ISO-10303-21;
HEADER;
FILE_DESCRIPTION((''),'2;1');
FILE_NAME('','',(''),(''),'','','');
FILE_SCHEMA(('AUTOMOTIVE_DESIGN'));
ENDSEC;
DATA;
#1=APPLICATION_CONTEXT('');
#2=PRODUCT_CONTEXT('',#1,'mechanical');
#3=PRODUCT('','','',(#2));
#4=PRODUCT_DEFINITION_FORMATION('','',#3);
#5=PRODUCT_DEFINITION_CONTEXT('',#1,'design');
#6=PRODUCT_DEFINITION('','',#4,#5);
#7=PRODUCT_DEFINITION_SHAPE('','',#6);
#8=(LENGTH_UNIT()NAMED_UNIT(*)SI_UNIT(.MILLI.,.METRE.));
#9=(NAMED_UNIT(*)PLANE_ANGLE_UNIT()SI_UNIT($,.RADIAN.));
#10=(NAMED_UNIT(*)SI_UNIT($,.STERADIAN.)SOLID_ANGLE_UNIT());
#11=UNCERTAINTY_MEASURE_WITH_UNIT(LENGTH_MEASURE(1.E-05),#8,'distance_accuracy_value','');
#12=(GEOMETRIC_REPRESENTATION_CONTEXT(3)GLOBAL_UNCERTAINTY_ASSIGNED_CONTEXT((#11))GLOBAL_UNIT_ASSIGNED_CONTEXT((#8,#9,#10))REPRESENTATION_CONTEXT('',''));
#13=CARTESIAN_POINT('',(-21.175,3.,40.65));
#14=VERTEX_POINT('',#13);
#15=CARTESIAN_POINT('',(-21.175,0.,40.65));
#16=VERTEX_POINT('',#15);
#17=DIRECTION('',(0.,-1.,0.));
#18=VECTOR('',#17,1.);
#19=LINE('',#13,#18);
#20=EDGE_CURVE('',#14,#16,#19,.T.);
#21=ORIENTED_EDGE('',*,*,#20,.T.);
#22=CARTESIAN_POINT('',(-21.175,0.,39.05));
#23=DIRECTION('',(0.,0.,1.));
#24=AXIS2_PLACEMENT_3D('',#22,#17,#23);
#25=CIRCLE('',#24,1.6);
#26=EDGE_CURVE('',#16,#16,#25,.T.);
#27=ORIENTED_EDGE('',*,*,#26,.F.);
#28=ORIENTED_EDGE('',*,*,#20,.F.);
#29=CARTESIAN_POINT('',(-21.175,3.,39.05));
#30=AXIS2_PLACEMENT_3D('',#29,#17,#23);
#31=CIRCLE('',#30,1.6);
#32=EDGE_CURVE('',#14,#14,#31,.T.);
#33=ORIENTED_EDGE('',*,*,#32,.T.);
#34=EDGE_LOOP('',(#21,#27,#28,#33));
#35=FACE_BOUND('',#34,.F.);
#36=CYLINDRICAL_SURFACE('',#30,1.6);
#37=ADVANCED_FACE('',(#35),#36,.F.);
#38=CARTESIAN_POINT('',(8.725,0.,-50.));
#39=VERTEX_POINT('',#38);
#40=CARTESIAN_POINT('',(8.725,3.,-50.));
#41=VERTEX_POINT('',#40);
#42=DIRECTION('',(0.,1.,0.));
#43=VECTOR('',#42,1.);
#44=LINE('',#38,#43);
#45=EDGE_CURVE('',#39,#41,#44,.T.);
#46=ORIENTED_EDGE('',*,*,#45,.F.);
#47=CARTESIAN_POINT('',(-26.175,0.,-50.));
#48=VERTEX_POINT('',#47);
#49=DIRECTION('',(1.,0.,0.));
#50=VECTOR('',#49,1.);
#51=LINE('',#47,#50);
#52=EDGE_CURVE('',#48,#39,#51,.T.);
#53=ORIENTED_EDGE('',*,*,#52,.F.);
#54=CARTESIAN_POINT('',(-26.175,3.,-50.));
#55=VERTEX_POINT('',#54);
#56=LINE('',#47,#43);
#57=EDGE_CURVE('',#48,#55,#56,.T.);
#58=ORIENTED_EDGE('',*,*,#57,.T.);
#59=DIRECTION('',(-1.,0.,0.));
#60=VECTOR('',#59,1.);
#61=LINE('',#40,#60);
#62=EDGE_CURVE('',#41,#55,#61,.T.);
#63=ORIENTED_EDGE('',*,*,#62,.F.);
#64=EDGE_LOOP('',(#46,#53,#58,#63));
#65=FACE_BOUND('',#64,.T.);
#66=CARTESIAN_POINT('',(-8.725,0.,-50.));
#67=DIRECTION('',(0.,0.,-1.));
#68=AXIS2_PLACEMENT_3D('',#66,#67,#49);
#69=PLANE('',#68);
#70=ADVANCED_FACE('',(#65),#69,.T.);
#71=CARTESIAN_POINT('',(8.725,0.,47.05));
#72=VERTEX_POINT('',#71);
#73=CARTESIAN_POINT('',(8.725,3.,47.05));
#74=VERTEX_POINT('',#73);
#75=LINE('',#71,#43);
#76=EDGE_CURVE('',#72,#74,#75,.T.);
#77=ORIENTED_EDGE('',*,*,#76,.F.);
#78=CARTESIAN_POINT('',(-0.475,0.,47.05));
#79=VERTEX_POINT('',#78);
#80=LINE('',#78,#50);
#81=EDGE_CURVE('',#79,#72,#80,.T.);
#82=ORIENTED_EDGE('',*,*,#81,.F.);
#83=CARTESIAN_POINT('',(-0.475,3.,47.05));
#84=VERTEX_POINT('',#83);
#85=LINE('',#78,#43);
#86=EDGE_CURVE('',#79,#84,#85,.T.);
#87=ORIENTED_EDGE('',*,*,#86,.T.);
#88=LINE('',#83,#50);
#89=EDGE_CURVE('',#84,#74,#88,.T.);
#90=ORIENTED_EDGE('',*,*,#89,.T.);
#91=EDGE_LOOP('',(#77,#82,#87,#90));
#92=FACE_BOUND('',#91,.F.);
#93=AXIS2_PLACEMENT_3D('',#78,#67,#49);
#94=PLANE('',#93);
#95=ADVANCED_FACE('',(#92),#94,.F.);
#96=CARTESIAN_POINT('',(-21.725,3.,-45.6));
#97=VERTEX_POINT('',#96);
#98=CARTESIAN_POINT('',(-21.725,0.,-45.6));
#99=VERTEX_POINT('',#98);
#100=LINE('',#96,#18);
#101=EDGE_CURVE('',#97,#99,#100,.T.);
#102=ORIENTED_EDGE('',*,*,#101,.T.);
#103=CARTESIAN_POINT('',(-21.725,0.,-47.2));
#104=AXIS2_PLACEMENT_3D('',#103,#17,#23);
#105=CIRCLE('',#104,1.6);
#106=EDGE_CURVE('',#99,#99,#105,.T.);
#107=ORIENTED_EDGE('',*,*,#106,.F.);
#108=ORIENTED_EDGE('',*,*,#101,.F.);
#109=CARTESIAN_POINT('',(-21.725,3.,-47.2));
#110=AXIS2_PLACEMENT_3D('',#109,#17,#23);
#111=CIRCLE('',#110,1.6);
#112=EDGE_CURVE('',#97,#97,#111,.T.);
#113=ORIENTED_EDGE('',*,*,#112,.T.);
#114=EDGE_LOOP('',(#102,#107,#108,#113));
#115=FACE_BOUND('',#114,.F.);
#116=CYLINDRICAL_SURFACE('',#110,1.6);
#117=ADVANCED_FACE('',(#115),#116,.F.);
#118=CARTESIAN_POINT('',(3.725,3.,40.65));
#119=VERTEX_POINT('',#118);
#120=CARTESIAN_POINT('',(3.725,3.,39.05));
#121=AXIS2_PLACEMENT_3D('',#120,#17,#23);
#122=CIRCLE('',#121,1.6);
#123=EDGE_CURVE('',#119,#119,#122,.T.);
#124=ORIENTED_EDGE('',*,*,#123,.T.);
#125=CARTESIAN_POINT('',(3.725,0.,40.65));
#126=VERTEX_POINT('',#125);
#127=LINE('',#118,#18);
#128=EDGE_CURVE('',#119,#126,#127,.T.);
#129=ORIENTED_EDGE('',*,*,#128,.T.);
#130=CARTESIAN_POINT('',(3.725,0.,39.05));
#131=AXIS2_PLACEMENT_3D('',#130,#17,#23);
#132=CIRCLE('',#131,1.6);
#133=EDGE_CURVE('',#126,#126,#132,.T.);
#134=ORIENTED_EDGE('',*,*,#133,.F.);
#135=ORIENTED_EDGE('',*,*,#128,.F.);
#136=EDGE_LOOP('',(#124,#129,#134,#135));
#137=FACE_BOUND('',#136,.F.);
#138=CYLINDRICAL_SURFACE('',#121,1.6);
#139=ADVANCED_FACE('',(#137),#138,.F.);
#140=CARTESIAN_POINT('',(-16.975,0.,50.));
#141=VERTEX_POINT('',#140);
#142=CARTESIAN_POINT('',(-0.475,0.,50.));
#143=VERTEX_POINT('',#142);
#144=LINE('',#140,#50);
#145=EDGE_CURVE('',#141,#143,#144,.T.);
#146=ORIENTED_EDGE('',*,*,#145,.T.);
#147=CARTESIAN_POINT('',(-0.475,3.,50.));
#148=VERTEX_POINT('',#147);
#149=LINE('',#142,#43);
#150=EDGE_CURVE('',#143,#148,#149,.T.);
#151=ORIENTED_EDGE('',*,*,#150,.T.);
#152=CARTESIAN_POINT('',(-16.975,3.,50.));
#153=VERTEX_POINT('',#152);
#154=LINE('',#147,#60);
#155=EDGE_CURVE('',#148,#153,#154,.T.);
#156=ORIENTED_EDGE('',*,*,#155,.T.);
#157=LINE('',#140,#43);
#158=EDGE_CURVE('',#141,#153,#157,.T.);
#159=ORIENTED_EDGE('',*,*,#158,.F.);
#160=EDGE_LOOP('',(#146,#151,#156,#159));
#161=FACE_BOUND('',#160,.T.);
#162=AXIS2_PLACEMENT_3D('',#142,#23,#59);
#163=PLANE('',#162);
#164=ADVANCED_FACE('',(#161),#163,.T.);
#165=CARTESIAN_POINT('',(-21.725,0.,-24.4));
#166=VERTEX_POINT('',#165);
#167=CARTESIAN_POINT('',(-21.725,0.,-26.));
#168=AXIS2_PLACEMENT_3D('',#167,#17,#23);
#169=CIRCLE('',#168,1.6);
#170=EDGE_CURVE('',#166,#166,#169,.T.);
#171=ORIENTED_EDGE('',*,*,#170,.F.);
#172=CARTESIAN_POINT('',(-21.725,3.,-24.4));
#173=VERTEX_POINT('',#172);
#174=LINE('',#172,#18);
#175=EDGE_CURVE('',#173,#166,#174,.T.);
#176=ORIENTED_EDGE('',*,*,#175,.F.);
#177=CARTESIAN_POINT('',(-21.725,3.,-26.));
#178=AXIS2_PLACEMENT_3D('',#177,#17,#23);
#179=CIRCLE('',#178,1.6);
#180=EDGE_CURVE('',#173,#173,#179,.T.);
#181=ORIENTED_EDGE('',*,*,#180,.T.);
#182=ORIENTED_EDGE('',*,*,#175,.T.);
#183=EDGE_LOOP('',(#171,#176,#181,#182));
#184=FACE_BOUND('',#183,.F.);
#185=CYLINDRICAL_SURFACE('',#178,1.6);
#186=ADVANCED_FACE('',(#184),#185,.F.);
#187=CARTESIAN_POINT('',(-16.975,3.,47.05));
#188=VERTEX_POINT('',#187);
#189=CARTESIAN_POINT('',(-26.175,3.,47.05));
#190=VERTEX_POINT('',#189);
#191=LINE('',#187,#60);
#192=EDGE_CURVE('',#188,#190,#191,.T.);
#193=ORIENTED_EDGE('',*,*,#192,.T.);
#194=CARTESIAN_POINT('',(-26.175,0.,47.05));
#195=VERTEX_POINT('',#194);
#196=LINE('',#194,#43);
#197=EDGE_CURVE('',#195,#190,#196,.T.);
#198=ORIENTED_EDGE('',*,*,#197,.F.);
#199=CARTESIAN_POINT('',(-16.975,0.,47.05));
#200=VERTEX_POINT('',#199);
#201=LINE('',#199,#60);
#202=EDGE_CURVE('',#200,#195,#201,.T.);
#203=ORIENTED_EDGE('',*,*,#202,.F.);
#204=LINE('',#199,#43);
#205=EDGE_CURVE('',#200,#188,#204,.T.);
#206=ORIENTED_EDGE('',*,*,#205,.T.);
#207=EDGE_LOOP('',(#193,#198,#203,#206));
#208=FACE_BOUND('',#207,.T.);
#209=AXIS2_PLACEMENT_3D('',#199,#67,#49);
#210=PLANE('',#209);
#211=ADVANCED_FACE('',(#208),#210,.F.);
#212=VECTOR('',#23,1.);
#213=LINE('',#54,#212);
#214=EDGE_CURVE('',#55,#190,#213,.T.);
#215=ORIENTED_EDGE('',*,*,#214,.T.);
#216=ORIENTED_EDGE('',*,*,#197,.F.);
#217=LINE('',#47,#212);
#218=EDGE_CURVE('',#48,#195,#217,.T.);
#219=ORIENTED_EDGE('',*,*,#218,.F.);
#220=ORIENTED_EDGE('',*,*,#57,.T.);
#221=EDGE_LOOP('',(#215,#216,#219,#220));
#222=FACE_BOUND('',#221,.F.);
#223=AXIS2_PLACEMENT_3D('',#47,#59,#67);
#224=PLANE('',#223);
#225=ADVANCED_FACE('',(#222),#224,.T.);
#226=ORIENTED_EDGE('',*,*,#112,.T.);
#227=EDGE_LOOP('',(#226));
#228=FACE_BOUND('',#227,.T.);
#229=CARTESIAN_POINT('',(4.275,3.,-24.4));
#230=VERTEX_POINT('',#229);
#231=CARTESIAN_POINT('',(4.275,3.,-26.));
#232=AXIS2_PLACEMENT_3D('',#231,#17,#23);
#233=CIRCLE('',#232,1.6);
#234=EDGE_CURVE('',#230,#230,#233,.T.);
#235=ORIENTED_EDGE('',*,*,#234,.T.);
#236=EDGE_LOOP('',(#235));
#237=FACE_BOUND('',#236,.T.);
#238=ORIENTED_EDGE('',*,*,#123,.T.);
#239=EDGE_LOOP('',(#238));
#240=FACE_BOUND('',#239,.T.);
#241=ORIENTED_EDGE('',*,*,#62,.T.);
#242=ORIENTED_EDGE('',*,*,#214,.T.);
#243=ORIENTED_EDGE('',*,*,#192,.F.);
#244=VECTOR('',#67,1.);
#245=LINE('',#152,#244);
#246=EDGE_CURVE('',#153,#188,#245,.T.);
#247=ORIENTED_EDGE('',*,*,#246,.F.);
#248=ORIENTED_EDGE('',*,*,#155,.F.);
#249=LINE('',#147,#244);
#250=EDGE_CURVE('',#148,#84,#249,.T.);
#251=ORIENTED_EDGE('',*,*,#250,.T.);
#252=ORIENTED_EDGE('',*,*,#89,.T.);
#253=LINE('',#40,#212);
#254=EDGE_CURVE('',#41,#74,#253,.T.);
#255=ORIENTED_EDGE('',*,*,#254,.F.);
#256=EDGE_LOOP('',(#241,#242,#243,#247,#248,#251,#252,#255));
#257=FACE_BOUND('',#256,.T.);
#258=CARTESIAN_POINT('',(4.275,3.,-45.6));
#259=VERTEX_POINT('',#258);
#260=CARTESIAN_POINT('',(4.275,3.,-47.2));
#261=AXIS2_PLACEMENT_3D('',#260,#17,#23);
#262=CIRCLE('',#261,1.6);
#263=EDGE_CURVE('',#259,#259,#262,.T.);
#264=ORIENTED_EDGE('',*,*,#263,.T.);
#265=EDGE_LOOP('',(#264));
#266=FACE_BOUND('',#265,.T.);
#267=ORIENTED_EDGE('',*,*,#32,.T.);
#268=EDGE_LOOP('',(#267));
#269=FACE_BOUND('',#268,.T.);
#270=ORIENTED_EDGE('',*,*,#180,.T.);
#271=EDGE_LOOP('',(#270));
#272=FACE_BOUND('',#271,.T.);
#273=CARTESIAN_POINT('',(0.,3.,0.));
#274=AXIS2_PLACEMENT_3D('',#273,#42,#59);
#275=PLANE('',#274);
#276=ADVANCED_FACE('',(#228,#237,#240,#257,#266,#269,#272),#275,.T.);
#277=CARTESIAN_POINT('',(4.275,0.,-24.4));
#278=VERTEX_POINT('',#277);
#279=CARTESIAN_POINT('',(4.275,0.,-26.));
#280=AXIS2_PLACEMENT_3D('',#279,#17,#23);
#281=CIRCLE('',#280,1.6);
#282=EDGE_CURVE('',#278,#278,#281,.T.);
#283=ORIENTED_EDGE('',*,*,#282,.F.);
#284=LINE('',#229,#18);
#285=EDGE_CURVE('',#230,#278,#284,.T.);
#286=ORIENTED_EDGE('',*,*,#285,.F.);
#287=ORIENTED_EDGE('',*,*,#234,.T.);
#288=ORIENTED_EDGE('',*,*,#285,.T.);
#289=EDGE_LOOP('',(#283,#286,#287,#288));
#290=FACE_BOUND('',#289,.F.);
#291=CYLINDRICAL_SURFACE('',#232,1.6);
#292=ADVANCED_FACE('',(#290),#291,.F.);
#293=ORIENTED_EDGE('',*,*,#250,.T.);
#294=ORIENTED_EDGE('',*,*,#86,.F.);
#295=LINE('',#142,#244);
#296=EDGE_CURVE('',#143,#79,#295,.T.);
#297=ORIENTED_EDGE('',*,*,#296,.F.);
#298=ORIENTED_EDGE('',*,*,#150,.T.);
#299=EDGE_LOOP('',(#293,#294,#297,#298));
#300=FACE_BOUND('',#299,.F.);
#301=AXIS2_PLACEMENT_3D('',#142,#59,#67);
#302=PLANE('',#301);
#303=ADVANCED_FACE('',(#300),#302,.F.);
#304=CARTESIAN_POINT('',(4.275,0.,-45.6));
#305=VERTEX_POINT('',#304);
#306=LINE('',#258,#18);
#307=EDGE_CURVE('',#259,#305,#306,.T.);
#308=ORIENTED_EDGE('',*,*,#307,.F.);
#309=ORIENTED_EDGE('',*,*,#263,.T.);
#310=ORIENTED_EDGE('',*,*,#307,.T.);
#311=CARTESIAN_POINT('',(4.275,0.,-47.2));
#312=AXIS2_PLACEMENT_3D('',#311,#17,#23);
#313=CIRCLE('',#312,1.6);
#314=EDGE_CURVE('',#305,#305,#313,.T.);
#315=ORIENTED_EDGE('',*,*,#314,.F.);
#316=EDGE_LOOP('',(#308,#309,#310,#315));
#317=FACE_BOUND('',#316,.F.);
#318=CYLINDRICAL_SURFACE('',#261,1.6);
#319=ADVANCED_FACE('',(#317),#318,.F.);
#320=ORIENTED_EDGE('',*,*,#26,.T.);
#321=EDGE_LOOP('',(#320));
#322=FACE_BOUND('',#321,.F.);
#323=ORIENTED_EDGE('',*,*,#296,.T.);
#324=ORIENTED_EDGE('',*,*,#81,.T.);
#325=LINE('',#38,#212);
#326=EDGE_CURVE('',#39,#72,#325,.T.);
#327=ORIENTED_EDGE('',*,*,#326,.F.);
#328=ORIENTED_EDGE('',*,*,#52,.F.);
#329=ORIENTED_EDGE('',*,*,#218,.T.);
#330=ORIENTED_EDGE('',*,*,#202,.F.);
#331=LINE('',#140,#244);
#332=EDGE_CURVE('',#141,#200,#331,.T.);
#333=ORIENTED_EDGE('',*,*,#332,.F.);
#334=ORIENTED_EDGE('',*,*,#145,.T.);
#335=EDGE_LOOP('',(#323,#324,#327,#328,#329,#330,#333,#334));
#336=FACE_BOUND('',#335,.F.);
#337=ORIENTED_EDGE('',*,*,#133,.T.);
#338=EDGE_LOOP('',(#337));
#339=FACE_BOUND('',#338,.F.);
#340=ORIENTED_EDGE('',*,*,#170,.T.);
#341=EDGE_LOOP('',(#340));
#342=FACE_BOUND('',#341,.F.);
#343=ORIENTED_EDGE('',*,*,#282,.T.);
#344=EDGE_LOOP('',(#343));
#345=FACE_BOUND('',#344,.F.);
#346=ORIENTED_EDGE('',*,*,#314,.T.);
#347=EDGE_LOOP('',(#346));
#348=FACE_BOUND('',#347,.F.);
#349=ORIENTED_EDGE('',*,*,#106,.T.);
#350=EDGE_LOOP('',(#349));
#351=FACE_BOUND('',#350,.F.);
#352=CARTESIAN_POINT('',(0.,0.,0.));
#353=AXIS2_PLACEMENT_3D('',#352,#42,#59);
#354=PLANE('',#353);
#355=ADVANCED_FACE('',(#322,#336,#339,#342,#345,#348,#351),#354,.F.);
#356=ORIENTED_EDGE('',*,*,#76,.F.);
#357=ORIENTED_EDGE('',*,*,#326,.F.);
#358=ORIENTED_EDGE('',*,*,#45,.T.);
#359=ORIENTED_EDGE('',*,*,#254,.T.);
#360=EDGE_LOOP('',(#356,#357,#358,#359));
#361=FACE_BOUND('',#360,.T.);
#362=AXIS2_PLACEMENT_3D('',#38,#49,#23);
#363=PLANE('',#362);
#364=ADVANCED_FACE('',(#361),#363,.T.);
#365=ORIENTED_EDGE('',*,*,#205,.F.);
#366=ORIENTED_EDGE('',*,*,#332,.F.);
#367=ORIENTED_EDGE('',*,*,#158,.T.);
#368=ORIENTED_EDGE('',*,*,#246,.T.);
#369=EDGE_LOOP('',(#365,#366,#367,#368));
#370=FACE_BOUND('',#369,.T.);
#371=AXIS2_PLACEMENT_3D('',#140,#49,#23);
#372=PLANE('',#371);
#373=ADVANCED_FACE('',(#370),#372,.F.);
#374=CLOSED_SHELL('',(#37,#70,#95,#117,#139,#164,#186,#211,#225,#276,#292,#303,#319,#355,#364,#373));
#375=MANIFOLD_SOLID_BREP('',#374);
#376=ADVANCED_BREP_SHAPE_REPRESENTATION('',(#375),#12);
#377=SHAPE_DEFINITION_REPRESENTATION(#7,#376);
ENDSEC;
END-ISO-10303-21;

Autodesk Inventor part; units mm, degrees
ref_plane "YZ Plane" through (0, 0, 0) normal (1, 0, 0) x (0, 1, 0)
ref_plane "XZ Plane" through (0, 0, 0) normal (0, 1, 0) x (-1, 0, 0)
ref_plane "XY Plane" through (0, 0, 0) normal (0, 0, 1) x (1, 0, 0)
sketch "Эскиз1" plane through (0, 0, 0) normal (0, 1, 0) x (-1, 0, 0)
  line L0 (-8.725, 50) -> (8.725, 50)
  line L1 (8.725, 50) -> (8.725, -50)
  line L2 (8.725, -50) -> (-8.725, -50)
  line L3 (-8.725, -50) -> (-8.725, 50)
  line L4 (-8.725, 50) -> (8.725, -50) construction
  line L5 (8.725, 50) -> (-8.725, -50) construction
  line L6 (-8.725, 50) -> (0.475, 50)
  line L7 (0.475, 50) -> (0.475, 47.05)
  line L8 (0.475, 47.05) -> (-8.725, 47.05)
  line L9 (-8.725, 47.05) -> (-8.725, 50)
  point P0 (0, 0)
  point P1 (0.475, 50)
  dimension "d0" = 17.45
  dimension "d1" = 100
  dimension "d13" = 9.2
  dimension "d14" = 2.95
extrude "Выдавливание1" add sketch "Эскиз1" along normal blind 3 contours L0 L1 L2 L3 L8 L7
mirror "Зеркальное отражение1" about plane through (-8.725, 0, -50) normal (-1, 0, 0)
sketch "Эскиз2" plane through (0, 3, 0) normal (0, 1, 0) x (1, 0, 0)
  line L0 (-8.725, -50) -> (-8.725, -39.05) construction
  line L1 (-21.175, -39.05) -> (3.725, -39.05)
  line L2 (-0.475, -50) -> (-16.975, -50) projected
  line L3 (-21.725, 47.2) -> (4.275, 47.2)
  line L4 (-21.725, 26) -> (4.275, 26)
  line L5 (-8.725, 26) -> (-8.725, 47.2)
  line L6 (-8.725, 47.2) -> (-8.725, 50)
  line L7 (8.725, 50) -> (-26.175, 50) projected
  dimension "d4" = 10.95
  dimension "d5" = 24.9
  dimension "d15" = 26
  dimension "d16" = 2.8
  dimension "d17" = 21.2
hole "Отверстие1" at (3.725, 3, 39.05) at (-21.175, 3, 39.05) at (-21.725, 3, -26) at (4.275, 3, -26) at (4.275, 3, -47.2) at (-21.725, 3, -47.2) direction (0, -1, 0) diameter 3.2 end through all
properties part number "Basis of the robot"
